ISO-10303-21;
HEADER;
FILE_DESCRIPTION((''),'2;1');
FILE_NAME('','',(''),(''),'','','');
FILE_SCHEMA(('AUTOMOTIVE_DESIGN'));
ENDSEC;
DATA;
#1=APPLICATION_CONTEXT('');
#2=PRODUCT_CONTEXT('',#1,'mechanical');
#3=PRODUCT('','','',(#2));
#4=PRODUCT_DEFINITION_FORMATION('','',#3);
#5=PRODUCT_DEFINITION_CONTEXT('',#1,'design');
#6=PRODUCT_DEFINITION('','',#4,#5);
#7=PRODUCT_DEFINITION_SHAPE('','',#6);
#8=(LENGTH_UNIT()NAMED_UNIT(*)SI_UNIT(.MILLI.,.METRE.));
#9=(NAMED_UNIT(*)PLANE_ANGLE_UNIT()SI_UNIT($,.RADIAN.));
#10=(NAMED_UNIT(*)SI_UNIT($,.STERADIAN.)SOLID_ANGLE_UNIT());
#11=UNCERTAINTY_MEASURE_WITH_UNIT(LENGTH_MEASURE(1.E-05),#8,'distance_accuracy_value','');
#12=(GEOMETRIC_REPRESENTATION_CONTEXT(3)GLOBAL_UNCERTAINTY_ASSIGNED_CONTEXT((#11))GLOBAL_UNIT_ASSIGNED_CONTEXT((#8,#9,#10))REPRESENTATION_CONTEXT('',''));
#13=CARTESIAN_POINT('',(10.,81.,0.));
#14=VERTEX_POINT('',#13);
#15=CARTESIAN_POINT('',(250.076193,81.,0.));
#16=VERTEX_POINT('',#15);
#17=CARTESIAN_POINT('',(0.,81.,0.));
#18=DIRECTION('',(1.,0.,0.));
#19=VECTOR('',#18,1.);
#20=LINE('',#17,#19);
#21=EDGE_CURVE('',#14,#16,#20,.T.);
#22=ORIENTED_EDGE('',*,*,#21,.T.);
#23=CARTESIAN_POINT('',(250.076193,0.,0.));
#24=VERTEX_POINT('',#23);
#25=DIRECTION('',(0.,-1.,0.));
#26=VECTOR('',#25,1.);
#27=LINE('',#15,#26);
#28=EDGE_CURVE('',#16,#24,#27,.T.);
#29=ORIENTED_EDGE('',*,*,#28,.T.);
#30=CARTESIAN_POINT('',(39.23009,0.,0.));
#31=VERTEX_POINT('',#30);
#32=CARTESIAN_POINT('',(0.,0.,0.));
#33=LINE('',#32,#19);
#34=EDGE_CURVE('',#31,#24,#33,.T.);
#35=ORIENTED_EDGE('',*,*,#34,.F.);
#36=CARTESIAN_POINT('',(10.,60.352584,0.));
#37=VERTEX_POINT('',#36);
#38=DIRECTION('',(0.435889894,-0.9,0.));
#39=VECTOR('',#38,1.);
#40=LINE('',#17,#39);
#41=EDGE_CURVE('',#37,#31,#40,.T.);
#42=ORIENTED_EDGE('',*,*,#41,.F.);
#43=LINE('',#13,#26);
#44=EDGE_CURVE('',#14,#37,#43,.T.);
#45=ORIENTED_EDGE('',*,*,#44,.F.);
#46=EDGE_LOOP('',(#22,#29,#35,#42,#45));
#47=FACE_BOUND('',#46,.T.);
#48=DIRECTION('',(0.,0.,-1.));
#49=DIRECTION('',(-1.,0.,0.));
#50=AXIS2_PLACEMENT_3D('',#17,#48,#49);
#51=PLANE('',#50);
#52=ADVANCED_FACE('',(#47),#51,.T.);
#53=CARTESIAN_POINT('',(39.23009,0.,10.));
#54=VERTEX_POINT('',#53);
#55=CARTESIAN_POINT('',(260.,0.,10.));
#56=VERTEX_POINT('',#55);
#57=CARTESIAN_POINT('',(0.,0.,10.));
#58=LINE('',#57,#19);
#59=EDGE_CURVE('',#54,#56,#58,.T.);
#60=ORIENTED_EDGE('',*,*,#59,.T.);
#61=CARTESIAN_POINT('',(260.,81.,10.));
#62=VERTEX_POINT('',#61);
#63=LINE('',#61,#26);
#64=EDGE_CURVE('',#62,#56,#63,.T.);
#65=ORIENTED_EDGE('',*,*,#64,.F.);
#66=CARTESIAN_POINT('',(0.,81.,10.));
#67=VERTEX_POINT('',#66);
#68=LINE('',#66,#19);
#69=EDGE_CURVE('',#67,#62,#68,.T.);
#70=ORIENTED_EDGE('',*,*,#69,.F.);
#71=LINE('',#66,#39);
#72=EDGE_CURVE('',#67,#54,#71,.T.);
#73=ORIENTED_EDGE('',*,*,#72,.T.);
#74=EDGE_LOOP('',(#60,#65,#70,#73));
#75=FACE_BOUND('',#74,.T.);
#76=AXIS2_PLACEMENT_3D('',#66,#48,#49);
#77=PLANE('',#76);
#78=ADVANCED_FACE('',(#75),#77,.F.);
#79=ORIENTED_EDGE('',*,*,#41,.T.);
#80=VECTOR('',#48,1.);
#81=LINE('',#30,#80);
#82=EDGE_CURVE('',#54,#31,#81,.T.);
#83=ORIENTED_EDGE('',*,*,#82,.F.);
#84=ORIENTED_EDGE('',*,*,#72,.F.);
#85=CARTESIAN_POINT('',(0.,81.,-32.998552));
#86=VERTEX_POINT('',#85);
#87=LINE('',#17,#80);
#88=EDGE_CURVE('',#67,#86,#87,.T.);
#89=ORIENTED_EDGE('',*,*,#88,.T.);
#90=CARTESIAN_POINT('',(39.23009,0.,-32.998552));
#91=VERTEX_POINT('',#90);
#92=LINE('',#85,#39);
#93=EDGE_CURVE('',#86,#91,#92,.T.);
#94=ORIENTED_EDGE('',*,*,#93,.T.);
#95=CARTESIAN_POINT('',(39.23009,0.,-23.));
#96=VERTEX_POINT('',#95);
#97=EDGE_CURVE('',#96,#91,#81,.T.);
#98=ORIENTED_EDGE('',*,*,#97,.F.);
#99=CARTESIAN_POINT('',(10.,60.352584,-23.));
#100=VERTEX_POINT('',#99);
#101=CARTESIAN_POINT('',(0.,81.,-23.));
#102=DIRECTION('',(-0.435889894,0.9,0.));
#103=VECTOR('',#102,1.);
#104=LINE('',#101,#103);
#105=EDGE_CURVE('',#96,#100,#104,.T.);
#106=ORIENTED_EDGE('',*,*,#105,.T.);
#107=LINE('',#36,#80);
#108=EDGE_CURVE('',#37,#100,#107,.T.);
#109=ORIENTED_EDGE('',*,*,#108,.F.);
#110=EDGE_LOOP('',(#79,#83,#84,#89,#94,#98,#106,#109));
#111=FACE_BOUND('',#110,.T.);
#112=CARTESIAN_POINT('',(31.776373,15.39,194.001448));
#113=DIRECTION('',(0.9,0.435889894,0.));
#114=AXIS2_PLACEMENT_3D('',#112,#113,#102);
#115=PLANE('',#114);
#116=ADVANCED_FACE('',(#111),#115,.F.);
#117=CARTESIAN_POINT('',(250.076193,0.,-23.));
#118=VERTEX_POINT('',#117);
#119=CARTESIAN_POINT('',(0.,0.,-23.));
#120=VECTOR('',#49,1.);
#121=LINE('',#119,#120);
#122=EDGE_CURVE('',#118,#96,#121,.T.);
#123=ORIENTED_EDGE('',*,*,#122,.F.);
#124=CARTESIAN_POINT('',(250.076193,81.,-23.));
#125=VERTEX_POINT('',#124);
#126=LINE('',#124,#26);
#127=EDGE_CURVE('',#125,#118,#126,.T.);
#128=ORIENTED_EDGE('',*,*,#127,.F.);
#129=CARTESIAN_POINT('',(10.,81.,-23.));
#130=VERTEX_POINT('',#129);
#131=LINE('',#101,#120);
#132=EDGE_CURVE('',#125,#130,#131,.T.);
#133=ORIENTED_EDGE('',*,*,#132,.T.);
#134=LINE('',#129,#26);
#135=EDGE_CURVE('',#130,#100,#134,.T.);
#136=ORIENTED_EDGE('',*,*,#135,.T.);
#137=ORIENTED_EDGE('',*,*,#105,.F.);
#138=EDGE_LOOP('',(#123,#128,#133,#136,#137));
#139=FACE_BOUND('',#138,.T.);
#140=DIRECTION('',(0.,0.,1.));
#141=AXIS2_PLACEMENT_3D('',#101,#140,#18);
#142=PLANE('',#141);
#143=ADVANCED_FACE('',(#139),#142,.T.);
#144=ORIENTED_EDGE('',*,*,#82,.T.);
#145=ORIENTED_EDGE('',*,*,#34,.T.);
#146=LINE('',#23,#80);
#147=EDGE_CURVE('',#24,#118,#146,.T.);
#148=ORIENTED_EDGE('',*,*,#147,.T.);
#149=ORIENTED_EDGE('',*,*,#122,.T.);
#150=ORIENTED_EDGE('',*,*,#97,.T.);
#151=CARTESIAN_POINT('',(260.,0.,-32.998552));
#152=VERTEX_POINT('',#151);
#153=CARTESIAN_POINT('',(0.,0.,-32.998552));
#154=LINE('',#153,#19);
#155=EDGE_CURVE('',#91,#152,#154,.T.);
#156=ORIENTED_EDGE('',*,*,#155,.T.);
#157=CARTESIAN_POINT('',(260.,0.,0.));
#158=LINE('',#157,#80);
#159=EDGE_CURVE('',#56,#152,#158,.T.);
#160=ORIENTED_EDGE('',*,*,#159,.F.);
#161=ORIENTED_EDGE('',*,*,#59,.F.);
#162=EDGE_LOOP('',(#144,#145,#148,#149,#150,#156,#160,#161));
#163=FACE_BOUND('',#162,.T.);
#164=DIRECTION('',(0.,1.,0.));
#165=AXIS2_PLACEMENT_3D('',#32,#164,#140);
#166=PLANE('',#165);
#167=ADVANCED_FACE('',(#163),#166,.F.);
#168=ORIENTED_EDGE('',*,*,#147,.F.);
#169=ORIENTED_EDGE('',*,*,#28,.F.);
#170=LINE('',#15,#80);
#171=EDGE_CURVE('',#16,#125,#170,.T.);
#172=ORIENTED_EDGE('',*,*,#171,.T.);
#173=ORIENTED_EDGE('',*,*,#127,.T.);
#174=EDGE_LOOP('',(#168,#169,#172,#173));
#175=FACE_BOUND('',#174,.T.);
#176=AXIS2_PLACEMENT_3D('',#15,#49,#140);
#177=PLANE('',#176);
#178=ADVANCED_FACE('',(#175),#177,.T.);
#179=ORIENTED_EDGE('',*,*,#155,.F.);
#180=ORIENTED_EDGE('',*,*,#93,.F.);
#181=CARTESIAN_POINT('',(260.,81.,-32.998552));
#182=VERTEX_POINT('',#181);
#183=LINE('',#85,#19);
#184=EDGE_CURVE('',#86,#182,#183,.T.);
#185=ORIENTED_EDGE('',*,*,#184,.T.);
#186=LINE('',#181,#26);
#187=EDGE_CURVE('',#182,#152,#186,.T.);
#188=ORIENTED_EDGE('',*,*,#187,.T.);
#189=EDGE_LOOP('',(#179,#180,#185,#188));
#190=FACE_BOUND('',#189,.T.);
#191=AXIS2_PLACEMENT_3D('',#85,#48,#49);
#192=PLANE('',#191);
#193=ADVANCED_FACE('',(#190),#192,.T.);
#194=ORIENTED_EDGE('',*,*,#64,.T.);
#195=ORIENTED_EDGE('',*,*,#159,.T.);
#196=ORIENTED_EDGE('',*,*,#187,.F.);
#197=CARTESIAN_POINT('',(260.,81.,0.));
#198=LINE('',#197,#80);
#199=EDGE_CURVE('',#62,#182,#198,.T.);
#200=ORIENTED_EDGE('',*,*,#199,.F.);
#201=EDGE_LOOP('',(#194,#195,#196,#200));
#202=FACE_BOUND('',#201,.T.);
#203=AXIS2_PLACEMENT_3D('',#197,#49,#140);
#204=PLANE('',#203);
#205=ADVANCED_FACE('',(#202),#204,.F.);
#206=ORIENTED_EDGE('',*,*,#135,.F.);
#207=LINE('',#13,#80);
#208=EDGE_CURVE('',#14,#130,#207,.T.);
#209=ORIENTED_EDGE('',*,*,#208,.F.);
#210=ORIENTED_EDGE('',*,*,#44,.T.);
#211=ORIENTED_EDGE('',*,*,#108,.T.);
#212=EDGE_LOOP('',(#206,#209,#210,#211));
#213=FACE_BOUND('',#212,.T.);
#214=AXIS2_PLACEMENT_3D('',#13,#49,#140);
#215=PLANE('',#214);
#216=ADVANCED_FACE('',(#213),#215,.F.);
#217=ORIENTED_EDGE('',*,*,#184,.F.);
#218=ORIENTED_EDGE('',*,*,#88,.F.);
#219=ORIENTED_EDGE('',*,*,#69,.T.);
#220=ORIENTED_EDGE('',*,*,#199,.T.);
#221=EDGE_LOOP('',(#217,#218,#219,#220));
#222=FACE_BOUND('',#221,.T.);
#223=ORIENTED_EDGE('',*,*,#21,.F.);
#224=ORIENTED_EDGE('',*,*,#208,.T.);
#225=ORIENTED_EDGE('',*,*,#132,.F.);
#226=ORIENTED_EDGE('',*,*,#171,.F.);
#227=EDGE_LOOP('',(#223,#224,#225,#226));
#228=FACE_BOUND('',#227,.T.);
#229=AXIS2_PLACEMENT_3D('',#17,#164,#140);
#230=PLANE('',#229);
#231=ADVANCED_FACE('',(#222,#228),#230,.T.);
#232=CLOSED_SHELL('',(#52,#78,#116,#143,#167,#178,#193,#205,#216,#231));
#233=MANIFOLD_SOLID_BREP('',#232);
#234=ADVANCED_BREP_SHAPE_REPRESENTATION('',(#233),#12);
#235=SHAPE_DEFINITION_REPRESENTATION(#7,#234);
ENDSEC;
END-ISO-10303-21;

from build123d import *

# Parameters (mm, degrees)
ESQUISSE5_W                  = 10
ESQUISSE5_H                  = 23
ESQUISSE5_W_2                = 260
ESQUISSE5_H_2                = 10
ESQUISSE5_W_3                = 9.9238066
BOSS_EXTRU_4_DEPTH           = 81
ENL_V_MAT_EXTRU_2_DEPTH      = 2
ENL_V_MAT_EXTRU_2_DEPTH_BACK = 227


with BuildPart() as part:
    # Esquisse5 → Boss.-Extru.4 (new body)
    with BuildSketch(Plane(origin=(0, 0, 0), x_dir=(1, 0, 0), z_dir=(0, 1, 0))):
        Polygon((0, 32.998552378), (0, 23), (10, 23), (250.0761934, 23), (260, 23), (260, 32.998552378), align=None)
        with Locations((5, 11.5)):
            Rectangle(ESQUISSE5_W, ESQUISSE5_H)
        with Locations((130, -5)):
            Rectangle(ESQUISSE5_W_2, ESQUISSE5_H_2)
        with Locations((255.0380967, 11.5)):
            Rectangle(ESQUISSE5_W_3, ESQUISSE5_H)
    extrude(amount=BOSS_EXTRU_4_DEPTH)

    # Esquisse7 → Enlèv. mat.-Extru.2 (cut, two sides: drawn at the far end of the back side and taken through both)
    with BuildSketch(Plane(origin=(0, 0, -32.998552378), x_dir=(-1, 0, 0), z_dir=(0, 0, -1)).offset(-ENL_V_MAT_EXTRU_2_DEPTH_BACK)):
        Polygon((0, 0), (0, 81), (-39.230090492, 0), align=None)
    extrude(amount=ENL_V_MAT_EXTRU_2_DEPTH + ENL_V_MAT_EXTRU_2_DEPTH_BACK, mode=Mode.SUBTRACT)


solid = part.part
